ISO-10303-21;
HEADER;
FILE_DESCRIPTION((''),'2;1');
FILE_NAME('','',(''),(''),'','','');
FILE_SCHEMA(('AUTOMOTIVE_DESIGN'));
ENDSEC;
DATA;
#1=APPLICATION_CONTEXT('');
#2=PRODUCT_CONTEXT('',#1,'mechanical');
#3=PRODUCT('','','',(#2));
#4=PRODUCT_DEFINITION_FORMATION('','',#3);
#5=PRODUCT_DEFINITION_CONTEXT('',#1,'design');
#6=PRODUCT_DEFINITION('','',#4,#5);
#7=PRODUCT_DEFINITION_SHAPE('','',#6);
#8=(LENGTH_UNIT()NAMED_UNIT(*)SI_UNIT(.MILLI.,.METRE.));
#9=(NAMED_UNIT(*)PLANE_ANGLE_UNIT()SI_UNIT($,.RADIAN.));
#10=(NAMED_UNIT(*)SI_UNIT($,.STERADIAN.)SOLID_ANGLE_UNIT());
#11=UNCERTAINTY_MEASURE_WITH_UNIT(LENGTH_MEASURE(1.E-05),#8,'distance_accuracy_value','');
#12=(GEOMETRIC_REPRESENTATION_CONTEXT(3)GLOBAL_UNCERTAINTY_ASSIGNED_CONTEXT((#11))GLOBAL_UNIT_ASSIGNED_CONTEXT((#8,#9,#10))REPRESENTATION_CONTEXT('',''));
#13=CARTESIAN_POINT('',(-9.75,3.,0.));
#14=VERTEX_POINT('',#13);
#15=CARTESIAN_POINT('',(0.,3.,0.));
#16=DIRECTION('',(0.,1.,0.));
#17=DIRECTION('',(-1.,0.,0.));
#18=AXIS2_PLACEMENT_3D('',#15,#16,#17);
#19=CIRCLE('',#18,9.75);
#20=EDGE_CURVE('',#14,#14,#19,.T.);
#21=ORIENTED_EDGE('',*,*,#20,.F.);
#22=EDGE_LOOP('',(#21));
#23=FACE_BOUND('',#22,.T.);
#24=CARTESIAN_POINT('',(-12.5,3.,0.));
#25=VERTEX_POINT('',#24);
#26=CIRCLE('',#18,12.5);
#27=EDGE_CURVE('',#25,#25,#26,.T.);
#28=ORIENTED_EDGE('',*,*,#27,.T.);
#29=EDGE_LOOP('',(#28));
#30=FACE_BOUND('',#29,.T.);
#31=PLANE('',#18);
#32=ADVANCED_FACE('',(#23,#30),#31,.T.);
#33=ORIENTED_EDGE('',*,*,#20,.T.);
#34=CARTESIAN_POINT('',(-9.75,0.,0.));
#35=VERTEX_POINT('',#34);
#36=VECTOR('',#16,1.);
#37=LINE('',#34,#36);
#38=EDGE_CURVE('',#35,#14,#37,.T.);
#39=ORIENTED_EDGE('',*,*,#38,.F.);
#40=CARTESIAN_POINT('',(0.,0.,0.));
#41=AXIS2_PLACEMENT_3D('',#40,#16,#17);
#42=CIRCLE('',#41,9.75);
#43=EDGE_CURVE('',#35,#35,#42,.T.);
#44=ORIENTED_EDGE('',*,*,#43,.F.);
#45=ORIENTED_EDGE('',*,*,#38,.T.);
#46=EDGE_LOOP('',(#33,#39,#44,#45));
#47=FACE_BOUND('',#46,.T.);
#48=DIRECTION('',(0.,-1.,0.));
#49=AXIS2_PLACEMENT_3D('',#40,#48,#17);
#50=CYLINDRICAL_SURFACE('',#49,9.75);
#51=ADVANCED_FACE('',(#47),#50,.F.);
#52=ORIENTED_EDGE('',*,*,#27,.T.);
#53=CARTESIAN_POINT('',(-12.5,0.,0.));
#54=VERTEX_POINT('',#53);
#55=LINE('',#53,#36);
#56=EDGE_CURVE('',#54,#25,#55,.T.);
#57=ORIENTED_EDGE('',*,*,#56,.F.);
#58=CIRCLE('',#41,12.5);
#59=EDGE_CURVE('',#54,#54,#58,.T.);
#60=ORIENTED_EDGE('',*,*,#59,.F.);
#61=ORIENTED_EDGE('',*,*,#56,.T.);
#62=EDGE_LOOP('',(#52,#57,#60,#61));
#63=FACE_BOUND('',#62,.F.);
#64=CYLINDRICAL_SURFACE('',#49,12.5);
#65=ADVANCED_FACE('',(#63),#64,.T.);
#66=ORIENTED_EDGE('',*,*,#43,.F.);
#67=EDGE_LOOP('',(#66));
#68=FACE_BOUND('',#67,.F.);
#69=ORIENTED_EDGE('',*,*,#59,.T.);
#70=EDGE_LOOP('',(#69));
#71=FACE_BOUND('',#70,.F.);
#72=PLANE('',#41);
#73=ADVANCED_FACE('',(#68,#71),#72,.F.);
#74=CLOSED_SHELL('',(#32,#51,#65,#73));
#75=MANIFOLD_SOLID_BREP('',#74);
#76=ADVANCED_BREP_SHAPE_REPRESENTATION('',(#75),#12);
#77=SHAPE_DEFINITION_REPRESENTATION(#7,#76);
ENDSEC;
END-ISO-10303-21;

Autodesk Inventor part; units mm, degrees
ref_plane "YZ Plane" through (0, 0, 0) normal (1, 0, 0) x (0, 1, 0)
ref_plane "XZ Plane" through (0, 0, 0) normal (0, 1, 0) x (-1, 0, 0)
ref_plane "XY Plane" through (0, 0, 0) normal (0, 0, 1) x (1, 0, 0)
sketch "Эскиз1" plane through (0, 0, 0) normal (0, 1, 0) x (-1, 0, 0)
  circle A0 centre (0, 0) radius 9.75
  circle A1 centre (0, 0) radius 12.5
  dimension "d0" = 19.5
  dimension "d1" = 25
extrude "Выдавливание1" add sketch "Эскиз1" along normal blind 3
